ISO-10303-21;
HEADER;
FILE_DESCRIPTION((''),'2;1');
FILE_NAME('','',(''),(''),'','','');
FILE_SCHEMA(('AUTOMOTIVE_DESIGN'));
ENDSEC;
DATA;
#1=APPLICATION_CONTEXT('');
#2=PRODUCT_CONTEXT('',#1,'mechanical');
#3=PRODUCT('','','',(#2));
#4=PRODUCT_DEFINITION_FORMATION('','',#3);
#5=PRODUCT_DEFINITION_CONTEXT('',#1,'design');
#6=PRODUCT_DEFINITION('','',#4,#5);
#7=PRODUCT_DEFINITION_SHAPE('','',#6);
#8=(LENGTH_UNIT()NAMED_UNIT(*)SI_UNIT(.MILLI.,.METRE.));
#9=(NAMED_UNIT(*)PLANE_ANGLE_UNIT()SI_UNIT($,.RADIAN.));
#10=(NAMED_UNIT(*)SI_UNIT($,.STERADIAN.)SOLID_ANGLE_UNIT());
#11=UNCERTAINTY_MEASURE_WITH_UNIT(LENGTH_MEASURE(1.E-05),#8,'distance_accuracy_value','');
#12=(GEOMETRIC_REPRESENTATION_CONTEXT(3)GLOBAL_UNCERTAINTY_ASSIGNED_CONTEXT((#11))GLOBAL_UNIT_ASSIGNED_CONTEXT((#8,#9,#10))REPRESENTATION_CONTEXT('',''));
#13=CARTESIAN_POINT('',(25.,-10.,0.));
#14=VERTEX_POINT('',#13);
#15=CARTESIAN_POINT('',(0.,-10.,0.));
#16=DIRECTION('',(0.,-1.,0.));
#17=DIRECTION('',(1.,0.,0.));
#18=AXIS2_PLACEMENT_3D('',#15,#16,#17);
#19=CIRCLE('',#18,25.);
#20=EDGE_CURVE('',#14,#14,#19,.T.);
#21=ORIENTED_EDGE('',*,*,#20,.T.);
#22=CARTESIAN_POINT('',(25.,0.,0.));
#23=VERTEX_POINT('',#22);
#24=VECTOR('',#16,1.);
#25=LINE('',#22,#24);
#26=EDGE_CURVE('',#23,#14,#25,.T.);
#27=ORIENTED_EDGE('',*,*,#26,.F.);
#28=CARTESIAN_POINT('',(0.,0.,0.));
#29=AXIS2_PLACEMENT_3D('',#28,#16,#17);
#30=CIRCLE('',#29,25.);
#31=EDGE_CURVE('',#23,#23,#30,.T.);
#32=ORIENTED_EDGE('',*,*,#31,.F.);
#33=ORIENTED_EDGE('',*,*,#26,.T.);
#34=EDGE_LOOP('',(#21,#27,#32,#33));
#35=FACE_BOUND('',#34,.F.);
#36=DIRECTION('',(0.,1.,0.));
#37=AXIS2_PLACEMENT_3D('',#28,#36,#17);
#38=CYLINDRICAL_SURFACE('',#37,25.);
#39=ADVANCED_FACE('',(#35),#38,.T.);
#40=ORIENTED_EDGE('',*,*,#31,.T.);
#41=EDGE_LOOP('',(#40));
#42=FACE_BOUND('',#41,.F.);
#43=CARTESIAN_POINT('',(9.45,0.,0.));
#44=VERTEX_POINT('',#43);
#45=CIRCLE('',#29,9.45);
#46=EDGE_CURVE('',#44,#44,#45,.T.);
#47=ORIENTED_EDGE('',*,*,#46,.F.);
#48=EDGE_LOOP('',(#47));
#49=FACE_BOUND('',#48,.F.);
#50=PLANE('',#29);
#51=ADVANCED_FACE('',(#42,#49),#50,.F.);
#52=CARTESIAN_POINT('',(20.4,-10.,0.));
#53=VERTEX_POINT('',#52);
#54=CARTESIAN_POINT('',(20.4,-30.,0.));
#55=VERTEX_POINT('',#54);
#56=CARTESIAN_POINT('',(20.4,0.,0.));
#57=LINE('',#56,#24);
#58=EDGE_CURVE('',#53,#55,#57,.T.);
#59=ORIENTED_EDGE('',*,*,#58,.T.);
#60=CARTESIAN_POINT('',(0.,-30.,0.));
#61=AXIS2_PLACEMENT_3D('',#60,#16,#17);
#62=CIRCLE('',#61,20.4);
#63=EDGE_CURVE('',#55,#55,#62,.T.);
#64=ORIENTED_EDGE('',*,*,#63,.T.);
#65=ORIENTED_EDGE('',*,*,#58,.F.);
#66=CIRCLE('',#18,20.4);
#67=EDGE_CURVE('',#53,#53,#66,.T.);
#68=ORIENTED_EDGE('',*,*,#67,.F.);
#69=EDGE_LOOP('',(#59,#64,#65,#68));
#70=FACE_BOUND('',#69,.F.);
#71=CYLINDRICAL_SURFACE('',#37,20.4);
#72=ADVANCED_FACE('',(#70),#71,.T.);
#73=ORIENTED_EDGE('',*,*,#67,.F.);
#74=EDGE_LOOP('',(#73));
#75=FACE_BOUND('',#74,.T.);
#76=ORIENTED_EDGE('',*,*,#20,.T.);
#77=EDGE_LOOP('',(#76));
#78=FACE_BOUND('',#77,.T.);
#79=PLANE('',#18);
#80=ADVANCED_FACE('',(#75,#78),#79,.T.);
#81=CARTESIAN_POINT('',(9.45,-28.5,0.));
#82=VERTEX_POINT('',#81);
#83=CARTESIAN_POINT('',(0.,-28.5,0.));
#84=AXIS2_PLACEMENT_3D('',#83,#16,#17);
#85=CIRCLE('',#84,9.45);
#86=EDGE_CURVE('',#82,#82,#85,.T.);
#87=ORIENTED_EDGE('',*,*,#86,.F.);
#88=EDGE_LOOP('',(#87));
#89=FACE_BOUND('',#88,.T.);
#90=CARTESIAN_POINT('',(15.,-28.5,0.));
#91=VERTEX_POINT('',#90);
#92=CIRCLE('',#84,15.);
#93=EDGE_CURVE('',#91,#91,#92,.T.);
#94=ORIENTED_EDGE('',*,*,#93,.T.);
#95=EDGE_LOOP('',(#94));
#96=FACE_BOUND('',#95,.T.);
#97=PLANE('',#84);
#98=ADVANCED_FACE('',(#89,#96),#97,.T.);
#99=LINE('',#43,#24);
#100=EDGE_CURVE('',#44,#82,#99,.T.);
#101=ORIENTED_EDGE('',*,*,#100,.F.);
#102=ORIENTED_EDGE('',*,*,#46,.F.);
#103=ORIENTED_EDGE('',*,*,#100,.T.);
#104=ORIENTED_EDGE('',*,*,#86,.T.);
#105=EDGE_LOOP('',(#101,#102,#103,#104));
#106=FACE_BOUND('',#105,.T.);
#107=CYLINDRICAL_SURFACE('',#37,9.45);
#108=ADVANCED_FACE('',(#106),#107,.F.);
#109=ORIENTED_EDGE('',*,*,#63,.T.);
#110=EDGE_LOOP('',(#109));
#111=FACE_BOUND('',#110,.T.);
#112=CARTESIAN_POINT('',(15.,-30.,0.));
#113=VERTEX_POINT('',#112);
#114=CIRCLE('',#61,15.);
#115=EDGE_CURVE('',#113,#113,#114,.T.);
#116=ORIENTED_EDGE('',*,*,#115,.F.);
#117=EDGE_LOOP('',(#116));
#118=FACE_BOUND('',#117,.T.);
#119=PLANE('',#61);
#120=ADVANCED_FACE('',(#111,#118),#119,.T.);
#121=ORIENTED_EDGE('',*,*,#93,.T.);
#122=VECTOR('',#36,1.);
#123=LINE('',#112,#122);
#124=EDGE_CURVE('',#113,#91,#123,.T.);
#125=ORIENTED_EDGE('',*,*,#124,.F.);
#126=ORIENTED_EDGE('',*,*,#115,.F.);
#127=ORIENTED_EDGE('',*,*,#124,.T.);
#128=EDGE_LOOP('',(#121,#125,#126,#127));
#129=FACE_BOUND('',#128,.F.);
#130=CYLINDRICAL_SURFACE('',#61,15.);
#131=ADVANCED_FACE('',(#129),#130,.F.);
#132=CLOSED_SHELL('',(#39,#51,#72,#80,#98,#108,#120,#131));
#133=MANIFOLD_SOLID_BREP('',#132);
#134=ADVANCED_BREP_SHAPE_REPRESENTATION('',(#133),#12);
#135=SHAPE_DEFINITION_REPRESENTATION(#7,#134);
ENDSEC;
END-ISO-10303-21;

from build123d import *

# Parameters (mm, degrees)
F0_R     = 20.4
F0_R_2   = 9.45
F1_DEPTH = 30
F0_R_3   = 25
F2_DEPTH = 10
F3_R     = 15
F3_R_2   = 9.45
F4_DEPTH = 1.5


with BuildPart() as f1:
    # F0 (on Front) → F1 (new body)
    with BuildSketch(Plane.XZ):
        Circle(F0_R)
        Circle(F0_R_2, mode=Mode.SUBTRACT)
    extrude(amount=F1_DEPTH)

    # F0 (on Front) → F2 (join)
    with BuildSketch(Plane.XZ):
        Circle(F0_R_3)
        Circle(F0_R, mode=Mode.SUBTRACT)
    extrude(amount=F2_DEPTH)

    # F3 (on face) → F4 (cut)
    with BuildSketch(Plane.XZ.offset(30)):
        Circle(F3_R)
        Circle(F3_R_2, mode=Mode.SUBTRACT)
    extrude(amount=-F4_DEPTH, mode=Mode.SUBTRACT)


solid = f1.part
